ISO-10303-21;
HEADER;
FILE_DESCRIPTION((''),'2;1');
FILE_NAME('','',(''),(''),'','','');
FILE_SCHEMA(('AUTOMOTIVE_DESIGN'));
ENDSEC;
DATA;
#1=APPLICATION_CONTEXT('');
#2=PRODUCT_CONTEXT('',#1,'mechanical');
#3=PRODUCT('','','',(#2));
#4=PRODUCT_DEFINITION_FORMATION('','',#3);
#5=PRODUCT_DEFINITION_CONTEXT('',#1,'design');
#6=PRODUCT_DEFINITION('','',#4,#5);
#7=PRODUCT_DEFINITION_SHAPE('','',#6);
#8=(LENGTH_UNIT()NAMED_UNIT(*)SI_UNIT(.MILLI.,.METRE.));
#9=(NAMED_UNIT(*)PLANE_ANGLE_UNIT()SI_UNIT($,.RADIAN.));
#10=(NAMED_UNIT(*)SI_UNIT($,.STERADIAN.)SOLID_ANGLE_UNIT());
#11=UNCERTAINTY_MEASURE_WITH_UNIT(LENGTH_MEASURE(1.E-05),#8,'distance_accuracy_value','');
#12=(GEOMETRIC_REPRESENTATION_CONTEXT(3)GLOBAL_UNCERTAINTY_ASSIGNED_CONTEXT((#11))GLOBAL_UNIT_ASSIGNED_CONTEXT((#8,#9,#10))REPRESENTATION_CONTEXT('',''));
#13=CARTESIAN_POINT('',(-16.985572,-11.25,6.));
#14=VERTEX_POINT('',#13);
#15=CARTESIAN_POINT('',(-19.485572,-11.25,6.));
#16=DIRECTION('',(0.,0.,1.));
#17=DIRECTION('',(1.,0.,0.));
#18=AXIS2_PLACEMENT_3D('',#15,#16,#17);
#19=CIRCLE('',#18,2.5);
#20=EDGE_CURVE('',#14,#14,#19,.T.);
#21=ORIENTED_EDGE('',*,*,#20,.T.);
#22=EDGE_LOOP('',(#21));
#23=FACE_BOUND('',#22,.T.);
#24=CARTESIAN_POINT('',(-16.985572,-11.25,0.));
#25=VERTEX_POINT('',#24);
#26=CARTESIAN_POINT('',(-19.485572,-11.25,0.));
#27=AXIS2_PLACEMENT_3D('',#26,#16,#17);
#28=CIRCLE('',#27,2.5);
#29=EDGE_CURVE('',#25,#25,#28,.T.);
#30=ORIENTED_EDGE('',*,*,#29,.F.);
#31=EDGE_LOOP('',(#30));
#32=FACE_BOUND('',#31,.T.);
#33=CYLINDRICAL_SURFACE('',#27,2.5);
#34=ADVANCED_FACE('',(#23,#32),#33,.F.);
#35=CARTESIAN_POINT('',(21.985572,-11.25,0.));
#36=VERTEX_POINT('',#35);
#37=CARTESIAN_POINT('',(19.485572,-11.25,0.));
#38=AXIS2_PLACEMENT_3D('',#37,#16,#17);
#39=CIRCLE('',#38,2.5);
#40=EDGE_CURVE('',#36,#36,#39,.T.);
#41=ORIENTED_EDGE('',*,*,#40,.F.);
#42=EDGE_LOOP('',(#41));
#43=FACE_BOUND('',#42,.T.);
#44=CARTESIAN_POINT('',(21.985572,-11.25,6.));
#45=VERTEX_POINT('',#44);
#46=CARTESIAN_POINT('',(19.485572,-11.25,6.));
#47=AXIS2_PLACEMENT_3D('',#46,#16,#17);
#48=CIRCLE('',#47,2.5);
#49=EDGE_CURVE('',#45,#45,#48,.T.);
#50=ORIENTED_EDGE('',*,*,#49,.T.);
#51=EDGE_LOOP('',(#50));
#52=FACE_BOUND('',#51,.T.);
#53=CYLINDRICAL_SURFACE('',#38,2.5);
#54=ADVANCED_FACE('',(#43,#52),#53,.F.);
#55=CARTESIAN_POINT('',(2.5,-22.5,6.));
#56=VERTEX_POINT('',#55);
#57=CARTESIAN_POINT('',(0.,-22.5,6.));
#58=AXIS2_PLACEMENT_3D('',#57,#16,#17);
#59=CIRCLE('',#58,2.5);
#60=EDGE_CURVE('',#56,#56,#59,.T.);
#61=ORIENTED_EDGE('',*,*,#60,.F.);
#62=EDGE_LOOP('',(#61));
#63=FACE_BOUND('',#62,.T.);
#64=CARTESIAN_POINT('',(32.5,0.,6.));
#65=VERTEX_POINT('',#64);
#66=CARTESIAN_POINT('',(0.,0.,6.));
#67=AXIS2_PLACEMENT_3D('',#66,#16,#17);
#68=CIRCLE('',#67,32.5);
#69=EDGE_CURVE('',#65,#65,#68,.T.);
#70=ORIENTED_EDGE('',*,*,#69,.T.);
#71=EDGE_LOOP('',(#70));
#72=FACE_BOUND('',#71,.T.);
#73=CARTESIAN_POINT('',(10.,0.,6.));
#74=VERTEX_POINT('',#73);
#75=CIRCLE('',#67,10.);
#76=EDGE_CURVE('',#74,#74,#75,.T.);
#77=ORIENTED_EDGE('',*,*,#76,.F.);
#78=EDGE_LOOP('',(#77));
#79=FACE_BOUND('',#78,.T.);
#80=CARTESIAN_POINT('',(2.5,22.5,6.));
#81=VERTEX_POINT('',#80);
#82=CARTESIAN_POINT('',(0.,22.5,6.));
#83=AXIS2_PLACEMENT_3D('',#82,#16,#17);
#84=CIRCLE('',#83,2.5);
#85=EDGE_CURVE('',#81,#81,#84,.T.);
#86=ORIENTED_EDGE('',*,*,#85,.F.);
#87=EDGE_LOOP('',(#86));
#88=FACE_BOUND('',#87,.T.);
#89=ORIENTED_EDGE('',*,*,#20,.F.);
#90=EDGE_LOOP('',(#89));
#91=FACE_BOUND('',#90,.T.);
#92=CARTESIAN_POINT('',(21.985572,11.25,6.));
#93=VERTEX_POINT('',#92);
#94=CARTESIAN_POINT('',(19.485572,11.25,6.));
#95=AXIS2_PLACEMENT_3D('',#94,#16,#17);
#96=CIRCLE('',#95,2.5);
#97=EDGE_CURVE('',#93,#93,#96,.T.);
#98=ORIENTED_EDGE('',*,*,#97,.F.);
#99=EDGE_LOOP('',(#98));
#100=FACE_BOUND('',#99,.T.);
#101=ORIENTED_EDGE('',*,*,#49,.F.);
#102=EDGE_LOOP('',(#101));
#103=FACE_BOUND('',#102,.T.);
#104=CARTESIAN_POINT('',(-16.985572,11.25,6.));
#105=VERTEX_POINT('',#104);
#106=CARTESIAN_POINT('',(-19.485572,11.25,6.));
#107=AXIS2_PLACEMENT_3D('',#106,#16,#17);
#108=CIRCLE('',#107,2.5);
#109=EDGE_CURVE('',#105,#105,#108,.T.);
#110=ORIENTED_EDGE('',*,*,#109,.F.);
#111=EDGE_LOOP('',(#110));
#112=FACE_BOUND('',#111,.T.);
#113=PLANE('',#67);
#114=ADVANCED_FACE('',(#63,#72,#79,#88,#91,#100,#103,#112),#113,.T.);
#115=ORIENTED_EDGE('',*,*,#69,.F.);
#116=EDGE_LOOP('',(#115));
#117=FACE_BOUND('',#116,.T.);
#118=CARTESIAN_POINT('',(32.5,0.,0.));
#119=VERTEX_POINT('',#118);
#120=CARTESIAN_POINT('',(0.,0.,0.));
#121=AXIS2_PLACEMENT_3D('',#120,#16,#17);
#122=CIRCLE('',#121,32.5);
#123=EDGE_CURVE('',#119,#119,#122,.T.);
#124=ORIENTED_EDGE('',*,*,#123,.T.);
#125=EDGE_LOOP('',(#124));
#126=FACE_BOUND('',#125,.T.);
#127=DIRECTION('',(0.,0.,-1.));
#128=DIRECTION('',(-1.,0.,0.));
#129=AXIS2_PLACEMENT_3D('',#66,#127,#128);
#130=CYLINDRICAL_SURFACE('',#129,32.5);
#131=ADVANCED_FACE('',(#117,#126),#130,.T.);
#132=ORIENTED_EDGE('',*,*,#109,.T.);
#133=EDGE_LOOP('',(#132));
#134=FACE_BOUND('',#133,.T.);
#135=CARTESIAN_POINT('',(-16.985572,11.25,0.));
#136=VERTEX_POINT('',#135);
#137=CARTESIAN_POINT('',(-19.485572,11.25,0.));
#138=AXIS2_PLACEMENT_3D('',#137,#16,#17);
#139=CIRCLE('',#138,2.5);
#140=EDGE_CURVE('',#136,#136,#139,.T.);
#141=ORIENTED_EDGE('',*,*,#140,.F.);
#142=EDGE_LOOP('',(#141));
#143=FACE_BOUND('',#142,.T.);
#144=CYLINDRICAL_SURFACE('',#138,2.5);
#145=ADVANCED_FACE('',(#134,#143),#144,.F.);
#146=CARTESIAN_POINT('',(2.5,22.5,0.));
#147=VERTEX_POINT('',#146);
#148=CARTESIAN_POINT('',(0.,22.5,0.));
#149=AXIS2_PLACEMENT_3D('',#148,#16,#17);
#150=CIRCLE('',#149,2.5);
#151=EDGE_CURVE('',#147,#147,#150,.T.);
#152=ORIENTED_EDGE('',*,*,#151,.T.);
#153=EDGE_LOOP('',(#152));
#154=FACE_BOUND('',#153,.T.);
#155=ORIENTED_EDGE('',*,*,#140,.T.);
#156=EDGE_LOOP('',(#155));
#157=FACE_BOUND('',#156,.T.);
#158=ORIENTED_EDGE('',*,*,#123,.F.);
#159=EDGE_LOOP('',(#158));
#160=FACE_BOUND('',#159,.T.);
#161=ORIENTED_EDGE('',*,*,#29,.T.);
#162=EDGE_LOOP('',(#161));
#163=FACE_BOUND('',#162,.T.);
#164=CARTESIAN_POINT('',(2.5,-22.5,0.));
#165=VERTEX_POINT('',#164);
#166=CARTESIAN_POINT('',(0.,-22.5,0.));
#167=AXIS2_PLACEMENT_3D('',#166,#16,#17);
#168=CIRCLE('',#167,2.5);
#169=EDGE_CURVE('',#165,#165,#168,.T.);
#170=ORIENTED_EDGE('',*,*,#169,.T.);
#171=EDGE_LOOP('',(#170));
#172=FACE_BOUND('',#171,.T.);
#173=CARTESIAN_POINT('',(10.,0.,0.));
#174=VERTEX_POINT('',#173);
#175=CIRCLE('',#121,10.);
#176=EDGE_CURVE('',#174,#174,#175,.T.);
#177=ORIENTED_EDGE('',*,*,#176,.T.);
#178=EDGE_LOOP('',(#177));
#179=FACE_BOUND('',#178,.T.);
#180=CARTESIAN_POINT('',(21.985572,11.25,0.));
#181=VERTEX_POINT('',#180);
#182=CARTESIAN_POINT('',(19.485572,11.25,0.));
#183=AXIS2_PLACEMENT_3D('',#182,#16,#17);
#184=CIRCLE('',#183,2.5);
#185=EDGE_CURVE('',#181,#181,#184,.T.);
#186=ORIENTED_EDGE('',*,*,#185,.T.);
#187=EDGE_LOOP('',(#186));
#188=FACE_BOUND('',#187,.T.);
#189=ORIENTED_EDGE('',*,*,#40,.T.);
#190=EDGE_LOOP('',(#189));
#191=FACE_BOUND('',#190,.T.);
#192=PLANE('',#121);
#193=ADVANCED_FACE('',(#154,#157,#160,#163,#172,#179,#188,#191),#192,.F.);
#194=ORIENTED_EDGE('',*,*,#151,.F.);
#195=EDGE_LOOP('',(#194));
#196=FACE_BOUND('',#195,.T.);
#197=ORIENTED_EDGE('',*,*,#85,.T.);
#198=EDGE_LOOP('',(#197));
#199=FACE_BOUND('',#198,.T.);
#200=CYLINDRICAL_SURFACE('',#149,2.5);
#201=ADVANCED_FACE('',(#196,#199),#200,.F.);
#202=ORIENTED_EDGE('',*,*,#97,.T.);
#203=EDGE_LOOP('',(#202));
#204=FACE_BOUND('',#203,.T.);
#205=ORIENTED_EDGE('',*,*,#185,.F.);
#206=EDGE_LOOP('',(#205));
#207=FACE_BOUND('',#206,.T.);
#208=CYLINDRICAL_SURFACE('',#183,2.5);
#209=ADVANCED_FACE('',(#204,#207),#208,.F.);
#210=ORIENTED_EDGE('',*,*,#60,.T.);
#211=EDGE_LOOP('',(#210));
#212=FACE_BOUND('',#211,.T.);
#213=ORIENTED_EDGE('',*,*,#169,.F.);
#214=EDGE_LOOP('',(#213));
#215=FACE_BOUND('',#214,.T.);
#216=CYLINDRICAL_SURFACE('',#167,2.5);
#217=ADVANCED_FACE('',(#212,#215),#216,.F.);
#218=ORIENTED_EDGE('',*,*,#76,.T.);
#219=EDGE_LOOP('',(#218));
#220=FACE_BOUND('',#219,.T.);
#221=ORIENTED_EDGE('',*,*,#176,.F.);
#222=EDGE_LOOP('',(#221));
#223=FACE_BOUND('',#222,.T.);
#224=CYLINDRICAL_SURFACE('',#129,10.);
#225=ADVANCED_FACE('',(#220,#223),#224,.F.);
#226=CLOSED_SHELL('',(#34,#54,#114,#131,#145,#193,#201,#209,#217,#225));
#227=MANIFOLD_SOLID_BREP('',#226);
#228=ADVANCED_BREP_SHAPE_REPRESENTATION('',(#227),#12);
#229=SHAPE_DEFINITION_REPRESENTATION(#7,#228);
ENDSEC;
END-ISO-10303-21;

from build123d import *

# Parameters (mm, degrees)
SKETCH_1_R          = 32.5
SKETCH_1_R_2        = 10
EXTRUDE_1_DEPTH     = 6
SKETCH_2_R          = 2.5
CUT_EXTRUDE_1_DEPTH = 6


with BuildPart() as part:
    # 草图1 → 凸台-拉伸1 (new body)
    with BuildSketch(Plane.XY):
        Circle(SKETCH_1_R)
        Circle(SKETCH_1_R_2, mode=Mode.SUBTRACT)
    extrude(amount=EXTRUDE_1_DEPTH)

    # 草图2 → 切除-拉伸1 (cut)
    with BuildSketch(Plane.XY.offset(6)):
        with Locations((0, 22.5)):
            Circle(SKETCH_2_R)
        with Locations((19.485571585, 11.25)):
            Circle(SKETCH_2_R)
        with Locations((19.485571585, -11.25)):
            Circle(SKETCH_2_R)
        with Locations((0, -22.5)):
            Circle(SKETCH_2_R)
        with Locations((-19.485571585, -11.25)):
            Circle(SKETCH_2_R)
        with Locations((-19.485571585, 11.25)):
            Circle(SKETCH_2_R)
    extrude(amount=-CUT_EXTRUDE_1_DEPTH, mode=Mode.SUBTRACT)


solid = part.part
